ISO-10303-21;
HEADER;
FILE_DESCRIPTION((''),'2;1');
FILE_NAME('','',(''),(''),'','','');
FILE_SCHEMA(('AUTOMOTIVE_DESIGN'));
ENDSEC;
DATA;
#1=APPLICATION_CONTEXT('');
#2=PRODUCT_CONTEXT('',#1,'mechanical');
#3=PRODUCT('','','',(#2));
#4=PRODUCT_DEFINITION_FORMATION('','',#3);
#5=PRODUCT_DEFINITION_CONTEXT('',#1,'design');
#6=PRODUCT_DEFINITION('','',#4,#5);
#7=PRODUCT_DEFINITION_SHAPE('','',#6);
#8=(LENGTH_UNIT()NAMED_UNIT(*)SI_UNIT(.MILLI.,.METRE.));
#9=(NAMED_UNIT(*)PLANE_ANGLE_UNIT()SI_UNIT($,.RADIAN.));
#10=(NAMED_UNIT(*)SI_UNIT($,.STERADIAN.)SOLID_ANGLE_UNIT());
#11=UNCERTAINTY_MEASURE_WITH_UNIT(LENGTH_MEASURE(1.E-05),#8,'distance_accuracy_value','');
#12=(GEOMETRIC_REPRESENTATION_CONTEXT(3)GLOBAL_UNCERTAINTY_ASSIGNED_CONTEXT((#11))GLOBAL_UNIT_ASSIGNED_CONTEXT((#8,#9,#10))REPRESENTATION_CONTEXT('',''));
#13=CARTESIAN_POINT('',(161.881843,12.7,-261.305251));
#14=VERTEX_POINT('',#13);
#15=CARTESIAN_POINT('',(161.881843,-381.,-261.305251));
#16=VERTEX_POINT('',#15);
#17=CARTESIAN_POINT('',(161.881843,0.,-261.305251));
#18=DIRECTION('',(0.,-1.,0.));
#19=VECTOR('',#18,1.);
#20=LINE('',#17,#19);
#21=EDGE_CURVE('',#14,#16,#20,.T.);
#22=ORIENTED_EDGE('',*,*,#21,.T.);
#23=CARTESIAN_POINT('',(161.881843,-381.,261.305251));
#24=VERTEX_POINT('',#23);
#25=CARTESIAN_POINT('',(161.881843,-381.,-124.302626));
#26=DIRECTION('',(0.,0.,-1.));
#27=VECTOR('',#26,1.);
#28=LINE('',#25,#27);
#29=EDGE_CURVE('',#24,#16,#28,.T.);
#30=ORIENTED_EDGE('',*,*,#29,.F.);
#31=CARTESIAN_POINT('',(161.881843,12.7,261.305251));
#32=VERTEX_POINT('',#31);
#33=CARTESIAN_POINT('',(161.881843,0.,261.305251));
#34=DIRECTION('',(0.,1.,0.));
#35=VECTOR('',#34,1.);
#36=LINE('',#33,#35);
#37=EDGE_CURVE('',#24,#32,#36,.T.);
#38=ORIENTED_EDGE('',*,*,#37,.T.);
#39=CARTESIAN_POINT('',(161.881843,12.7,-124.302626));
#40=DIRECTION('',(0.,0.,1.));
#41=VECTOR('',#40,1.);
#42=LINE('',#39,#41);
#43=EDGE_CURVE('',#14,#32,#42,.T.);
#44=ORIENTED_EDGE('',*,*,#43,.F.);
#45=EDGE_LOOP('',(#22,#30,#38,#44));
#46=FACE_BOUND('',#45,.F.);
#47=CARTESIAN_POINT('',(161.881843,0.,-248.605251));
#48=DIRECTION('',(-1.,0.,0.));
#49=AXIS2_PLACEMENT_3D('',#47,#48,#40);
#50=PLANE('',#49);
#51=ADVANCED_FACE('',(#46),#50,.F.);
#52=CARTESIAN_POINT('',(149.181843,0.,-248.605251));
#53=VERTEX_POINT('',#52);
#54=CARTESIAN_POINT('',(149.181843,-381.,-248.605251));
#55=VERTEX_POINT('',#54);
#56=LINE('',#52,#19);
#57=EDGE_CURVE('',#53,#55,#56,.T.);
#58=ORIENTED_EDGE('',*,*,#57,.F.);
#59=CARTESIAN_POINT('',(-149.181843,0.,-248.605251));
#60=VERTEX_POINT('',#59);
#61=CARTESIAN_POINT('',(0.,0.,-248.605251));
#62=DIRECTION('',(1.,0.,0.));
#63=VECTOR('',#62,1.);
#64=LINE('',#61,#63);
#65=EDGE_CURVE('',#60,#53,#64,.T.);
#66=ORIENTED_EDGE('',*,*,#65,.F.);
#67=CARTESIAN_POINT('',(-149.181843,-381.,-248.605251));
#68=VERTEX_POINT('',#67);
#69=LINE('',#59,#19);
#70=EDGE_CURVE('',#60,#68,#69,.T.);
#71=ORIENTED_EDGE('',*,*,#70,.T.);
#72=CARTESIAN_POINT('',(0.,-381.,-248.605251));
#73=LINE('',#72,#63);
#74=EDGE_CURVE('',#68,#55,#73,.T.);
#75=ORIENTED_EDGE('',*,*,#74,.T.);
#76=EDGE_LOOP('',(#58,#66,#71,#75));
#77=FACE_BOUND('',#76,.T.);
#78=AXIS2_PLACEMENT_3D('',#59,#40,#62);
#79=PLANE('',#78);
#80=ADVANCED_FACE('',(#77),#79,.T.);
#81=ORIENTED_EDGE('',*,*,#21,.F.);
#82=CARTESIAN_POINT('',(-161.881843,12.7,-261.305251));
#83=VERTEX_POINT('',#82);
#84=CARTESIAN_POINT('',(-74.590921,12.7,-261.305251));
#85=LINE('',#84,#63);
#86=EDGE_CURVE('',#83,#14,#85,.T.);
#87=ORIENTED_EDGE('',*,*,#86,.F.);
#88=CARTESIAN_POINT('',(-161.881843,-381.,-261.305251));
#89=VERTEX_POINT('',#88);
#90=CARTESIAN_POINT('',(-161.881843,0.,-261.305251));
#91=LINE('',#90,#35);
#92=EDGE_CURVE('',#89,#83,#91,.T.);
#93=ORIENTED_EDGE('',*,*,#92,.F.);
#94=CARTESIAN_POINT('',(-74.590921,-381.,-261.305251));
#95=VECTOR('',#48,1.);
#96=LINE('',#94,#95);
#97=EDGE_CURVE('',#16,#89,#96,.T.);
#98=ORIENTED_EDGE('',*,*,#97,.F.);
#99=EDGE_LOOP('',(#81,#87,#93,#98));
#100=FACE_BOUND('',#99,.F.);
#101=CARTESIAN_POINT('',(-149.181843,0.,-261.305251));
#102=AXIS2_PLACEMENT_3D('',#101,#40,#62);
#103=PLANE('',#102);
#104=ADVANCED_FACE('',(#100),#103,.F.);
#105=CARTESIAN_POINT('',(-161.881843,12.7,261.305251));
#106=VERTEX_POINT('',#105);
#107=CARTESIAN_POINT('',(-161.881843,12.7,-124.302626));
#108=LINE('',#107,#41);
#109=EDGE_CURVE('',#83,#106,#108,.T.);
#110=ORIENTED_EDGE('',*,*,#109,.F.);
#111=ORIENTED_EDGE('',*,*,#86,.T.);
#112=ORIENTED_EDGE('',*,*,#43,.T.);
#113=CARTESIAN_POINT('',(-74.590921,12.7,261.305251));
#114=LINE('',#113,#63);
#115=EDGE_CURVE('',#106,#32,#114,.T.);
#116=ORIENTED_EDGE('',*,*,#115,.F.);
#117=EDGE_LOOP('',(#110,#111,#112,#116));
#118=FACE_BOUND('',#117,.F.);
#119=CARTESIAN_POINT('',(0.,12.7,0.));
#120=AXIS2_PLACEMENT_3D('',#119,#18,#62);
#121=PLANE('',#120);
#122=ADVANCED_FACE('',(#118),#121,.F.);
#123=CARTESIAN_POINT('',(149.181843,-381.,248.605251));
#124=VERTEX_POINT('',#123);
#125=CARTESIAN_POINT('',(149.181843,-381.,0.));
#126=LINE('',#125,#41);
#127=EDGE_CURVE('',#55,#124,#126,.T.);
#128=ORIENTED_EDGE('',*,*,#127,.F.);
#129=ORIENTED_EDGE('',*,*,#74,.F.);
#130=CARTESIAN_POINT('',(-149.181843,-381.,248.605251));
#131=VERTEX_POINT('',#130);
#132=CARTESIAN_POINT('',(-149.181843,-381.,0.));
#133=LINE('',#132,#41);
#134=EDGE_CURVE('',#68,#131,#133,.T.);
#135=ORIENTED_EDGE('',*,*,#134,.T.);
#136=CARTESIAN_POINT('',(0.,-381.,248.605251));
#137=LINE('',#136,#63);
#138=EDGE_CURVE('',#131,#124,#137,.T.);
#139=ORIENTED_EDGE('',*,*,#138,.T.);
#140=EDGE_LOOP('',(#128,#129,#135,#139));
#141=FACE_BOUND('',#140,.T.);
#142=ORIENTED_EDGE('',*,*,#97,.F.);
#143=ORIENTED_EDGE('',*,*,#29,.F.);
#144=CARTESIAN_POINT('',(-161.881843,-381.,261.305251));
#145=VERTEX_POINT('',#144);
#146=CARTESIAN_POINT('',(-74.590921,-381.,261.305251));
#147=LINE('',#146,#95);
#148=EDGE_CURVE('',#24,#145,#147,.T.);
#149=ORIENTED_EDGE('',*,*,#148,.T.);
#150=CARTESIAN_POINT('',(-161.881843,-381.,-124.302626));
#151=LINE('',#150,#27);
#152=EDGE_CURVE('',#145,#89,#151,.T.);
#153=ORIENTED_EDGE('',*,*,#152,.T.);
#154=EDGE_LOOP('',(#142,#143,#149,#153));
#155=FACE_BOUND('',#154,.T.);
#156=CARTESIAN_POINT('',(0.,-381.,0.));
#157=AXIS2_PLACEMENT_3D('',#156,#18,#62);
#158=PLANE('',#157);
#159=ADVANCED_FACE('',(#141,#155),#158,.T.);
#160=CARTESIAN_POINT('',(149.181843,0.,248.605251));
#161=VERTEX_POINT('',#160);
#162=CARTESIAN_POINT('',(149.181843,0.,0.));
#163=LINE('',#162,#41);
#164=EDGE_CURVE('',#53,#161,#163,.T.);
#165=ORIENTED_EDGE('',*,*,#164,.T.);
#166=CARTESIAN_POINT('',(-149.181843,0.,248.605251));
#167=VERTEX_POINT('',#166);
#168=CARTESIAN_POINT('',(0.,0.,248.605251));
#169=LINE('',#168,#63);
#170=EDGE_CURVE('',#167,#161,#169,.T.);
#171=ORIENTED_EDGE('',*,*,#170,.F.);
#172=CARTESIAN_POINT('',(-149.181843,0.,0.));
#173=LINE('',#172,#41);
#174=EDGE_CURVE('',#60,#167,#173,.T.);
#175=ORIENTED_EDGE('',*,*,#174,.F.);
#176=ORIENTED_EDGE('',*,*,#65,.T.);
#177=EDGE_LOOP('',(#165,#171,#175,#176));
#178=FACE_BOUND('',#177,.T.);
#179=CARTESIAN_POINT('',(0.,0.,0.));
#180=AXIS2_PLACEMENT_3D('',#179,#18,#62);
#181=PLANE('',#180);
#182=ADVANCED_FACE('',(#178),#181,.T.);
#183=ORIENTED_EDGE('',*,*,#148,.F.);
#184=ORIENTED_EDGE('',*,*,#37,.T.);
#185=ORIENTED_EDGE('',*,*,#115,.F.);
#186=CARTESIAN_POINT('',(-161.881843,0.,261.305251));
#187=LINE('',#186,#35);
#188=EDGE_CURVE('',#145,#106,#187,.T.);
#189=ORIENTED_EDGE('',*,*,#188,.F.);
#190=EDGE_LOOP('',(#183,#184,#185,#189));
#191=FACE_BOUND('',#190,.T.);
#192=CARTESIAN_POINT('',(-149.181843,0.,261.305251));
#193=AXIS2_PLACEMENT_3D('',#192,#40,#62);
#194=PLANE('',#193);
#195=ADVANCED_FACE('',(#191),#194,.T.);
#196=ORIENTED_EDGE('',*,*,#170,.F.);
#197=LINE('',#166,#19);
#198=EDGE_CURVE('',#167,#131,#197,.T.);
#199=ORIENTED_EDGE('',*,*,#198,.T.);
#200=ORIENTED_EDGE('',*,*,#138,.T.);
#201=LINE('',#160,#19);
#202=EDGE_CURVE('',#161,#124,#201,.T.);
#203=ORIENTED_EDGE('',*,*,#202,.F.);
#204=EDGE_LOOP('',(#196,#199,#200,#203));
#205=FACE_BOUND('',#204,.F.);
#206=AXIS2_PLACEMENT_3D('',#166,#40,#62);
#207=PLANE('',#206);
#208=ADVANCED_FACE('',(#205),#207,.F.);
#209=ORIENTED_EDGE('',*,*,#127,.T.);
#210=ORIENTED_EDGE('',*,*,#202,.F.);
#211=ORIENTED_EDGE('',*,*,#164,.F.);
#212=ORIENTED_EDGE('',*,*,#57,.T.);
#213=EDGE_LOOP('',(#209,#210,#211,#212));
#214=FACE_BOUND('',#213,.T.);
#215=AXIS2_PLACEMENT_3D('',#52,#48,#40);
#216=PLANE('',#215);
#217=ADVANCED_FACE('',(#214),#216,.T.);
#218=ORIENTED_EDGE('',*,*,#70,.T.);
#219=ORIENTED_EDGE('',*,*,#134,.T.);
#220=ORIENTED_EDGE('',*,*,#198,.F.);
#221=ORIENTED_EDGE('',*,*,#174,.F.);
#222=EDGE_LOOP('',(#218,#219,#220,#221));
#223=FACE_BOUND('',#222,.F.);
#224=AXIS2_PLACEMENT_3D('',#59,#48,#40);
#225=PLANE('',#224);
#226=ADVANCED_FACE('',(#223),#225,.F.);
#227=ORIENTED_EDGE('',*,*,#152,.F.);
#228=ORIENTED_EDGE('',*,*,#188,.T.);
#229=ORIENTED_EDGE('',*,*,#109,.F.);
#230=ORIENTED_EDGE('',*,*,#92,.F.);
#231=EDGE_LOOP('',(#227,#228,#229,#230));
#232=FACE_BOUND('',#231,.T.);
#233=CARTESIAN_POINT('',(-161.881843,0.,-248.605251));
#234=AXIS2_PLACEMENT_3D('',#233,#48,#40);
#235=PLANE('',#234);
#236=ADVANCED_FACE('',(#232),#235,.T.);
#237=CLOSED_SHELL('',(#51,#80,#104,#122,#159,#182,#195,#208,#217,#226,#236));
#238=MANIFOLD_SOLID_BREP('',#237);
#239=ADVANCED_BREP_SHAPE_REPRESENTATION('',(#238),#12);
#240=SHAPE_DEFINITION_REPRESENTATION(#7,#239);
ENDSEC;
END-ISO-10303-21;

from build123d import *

# Parameters (mm, degrees)
F0_W     = 298.3636856079
F0_H     = 497.2105026245
F1_DEPTH = 381
F2_T     = 12.7


with BuildPart() as f1:
    # F0 (on Front) → F1 (new body)
    with BuildSketch(Plane.XZ):
        Rectangle(F0_W, F0_H)
    extrude(amount=F1_DEPTH)

    # F2
    f2_openings = [f1.faces().sort_by_distance(p)[0] for p in [
        (0, -381, 0),
    ]]
    offset(amount=F2_T, openings=f2_openings, kind=Kind.INTERSECTION)


solid = f1.part
